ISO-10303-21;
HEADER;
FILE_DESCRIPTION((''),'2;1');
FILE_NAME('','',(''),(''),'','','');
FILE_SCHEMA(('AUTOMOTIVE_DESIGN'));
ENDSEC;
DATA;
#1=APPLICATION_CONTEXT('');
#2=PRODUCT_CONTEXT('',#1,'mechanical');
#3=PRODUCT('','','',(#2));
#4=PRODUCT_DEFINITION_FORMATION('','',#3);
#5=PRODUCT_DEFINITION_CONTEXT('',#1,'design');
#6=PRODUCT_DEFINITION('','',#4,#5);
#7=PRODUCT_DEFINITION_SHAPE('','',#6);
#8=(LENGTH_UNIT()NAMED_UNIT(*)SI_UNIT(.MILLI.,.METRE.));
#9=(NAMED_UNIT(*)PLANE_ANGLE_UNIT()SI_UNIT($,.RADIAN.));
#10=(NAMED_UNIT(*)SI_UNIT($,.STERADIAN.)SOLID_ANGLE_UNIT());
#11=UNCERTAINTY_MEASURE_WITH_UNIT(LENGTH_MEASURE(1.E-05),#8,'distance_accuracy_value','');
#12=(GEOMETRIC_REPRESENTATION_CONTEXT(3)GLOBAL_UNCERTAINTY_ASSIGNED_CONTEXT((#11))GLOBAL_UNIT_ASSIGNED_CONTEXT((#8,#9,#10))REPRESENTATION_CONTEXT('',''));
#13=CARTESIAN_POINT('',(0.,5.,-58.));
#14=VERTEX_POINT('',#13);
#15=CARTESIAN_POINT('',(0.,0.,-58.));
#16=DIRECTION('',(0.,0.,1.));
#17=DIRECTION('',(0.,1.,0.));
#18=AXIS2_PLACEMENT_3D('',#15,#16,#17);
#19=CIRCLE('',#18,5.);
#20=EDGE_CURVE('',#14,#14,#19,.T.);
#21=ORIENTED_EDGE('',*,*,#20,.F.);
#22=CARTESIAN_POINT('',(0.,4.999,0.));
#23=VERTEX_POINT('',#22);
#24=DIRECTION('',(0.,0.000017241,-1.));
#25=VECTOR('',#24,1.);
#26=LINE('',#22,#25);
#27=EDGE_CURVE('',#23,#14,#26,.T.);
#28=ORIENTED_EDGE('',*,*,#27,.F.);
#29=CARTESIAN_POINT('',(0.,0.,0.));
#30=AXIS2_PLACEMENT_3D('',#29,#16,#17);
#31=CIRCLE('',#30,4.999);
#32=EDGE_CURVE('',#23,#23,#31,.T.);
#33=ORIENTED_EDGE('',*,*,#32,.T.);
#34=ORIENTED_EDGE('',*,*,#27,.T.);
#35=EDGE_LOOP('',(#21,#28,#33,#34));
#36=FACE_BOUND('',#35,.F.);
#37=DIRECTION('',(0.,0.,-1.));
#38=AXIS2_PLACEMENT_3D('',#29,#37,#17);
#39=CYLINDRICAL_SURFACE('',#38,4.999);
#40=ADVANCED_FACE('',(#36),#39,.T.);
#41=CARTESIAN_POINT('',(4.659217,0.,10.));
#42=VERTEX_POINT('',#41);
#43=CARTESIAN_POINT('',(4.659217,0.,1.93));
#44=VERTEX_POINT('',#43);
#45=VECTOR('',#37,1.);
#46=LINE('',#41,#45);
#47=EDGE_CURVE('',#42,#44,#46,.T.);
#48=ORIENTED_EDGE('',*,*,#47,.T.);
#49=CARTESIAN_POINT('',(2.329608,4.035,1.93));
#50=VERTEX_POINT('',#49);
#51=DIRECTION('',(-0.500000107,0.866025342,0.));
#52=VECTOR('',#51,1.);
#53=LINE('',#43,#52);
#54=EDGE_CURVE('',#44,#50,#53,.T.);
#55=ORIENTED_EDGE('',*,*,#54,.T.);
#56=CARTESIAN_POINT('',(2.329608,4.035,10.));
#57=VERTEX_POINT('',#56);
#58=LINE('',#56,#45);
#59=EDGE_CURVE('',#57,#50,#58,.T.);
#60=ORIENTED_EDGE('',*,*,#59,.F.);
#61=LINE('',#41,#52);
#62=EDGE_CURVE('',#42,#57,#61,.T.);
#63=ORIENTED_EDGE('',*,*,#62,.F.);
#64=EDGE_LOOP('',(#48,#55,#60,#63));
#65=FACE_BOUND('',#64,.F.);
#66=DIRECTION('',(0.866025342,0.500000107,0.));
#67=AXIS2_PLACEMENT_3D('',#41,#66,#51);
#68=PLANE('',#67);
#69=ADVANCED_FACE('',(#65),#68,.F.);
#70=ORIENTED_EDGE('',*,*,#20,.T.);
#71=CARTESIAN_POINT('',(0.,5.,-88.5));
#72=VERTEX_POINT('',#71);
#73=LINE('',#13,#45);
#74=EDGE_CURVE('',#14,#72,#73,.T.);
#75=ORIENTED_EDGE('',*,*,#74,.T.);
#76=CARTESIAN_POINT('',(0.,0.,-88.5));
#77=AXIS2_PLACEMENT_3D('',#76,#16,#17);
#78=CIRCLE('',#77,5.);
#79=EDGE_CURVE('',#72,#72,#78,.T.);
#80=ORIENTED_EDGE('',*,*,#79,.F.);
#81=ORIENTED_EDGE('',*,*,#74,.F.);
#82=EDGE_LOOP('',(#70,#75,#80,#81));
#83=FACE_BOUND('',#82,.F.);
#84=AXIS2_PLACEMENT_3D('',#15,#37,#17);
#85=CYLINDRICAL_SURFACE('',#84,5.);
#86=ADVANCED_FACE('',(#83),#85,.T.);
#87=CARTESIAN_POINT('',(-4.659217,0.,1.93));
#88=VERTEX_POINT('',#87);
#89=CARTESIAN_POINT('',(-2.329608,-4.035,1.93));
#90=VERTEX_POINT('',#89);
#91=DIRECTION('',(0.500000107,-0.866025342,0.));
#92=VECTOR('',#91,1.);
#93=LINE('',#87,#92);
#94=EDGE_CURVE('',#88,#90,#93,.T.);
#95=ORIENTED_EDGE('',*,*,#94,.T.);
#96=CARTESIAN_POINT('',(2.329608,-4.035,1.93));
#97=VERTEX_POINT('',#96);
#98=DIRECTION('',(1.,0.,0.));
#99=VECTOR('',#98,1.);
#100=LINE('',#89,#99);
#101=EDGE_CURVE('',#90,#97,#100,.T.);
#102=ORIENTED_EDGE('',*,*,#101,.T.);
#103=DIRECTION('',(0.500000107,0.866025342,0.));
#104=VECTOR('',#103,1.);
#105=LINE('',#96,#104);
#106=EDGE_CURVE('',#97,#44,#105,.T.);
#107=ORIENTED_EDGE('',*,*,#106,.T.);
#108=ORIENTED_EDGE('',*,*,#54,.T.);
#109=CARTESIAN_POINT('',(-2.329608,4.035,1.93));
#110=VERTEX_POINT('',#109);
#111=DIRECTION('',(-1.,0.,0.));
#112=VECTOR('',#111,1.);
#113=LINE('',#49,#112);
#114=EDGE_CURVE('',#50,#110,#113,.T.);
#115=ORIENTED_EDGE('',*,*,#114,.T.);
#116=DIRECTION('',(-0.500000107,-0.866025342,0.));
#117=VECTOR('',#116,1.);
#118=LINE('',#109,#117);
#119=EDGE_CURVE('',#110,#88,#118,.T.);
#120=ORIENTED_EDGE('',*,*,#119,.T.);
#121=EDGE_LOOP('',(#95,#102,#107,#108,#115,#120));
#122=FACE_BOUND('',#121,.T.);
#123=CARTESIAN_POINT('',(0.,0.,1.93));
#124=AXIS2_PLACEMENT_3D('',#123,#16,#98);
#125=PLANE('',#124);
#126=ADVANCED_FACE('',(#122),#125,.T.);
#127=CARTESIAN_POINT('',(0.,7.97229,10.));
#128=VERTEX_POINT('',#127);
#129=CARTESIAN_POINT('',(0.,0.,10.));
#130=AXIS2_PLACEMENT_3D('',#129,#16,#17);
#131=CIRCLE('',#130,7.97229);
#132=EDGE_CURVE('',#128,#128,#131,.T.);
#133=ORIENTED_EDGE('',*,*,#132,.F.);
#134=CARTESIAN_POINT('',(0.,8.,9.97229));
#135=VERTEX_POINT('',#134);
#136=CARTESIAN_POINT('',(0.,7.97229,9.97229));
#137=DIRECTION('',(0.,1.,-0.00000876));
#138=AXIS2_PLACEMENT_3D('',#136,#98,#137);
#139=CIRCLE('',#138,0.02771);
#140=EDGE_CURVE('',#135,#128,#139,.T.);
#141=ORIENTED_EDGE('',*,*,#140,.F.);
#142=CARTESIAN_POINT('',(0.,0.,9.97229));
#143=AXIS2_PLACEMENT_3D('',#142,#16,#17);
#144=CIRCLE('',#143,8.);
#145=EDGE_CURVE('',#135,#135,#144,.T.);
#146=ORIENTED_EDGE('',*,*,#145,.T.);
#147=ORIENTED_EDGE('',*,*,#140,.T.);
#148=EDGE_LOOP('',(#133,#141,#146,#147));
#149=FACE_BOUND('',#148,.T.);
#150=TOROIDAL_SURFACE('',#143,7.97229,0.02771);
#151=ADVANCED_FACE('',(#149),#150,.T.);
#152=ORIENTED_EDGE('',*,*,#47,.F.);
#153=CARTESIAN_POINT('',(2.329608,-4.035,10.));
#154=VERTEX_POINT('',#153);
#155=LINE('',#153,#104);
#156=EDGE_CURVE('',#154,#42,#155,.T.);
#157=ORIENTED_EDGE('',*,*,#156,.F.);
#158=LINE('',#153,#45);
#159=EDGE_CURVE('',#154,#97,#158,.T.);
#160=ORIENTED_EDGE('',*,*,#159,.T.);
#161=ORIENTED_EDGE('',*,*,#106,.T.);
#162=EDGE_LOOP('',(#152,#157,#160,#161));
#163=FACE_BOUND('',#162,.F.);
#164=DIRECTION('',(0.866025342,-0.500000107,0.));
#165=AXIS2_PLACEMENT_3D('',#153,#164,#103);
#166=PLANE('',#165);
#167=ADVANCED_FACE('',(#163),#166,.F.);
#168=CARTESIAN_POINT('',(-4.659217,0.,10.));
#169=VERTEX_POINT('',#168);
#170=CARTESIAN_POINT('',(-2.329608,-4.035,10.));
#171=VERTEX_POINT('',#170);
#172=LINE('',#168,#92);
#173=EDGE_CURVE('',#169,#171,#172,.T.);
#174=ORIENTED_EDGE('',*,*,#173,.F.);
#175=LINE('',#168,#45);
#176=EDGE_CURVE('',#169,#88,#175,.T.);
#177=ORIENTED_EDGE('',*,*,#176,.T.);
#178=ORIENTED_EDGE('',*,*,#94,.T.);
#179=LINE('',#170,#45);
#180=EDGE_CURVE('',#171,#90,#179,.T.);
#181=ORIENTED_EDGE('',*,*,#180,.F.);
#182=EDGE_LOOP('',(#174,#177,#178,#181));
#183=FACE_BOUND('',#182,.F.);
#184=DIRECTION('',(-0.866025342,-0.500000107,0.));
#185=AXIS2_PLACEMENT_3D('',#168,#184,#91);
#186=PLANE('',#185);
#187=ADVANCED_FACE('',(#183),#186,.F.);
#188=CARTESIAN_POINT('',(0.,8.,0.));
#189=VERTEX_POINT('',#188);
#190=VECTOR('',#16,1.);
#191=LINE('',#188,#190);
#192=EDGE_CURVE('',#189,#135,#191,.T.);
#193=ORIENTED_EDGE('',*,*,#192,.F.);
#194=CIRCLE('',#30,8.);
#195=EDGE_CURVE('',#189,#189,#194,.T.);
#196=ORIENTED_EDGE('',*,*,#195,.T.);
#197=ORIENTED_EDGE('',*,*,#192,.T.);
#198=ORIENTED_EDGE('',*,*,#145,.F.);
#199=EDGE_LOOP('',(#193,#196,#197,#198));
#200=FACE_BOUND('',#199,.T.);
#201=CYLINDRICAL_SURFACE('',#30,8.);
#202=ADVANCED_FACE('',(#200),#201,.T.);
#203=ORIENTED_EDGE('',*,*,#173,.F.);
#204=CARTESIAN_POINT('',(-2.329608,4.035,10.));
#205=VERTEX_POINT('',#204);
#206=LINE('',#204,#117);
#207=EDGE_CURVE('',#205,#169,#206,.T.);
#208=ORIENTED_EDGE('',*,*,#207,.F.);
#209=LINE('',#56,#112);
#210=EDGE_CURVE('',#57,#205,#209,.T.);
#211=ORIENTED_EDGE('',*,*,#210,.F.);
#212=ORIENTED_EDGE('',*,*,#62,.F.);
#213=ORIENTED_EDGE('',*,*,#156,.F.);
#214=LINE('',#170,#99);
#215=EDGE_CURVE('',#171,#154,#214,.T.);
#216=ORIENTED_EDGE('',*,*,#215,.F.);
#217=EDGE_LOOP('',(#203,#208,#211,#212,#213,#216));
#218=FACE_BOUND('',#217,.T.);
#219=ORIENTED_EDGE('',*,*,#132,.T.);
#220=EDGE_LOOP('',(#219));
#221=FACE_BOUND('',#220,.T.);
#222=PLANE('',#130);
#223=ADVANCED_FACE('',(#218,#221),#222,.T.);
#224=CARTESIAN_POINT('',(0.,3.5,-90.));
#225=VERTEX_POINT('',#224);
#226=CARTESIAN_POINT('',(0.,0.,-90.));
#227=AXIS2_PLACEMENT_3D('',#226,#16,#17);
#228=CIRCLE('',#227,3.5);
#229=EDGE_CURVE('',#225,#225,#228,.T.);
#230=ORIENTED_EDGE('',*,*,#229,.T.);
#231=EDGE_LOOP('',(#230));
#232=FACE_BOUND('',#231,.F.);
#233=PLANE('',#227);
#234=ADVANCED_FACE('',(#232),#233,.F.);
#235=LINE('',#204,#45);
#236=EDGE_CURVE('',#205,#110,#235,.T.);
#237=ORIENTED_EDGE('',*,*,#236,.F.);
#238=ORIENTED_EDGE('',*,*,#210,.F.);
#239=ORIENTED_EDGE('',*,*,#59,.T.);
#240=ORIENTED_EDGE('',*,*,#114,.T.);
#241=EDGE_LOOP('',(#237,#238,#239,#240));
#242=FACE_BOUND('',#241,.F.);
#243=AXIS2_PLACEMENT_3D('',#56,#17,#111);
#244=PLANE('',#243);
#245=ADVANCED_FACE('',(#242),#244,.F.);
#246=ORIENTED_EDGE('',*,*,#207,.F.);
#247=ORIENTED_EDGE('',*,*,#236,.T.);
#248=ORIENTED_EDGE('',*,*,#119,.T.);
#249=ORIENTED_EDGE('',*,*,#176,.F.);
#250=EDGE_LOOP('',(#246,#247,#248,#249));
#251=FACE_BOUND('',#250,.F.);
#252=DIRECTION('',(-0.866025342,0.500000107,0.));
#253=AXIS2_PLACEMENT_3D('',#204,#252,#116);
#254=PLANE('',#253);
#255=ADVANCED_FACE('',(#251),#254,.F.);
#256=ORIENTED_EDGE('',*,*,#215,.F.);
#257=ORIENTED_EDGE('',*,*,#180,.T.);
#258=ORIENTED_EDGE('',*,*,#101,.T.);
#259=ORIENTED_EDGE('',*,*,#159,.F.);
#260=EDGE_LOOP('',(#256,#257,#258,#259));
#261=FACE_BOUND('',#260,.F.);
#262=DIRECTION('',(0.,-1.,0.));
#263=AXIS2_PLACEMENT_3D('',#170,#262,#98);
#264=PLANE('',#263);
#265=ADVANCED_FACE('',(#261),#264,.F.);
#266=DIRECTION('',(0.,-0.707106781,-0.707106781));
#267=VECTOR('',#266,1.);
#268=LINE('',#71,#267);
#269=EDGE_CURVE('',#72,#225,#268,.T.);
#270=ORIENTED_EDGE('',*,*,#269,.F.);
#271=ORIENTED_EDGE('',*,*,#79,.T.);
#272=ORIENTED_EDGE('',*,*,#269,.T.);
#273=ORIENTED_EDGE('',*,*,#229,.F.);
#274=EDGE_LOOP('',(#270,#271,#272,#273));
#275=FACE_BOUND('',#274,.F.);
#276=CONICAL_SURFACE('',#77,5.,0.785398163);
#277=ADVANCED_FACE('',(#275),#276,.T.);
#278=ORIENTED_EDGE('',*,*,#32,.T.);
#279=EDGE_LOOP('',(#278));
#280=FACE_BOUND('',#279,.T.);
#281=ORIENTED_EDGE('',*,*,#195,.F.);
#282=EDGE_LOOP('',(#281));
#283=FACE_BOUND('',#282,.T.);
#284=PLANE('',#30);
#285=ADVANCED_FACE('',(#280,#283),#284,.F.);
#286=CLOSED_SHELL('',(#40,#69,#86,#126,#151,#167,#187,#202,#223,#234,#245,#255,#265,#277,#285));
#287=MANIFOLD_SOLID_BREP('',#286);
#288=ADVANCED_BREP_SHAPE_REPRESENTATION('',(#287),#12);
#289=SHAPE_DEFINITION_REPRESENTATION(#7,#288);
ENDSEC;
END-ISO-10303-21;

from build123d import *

# Parameters (mm, degrees)
POCKET_DEPTH = 8.07


with BuildPart() as part:
    # Sketch → Revolve (revolve)
    with BuildSketch(Plane.YZ):
        with BuildLine():
            Line((4.999, 0), (8, 0))
            Line((8, 0), (8, 9.97229))
            ThreePointArc((8, 9.97229), (7.991884, 9.991884), (7.97229, 10))
            Line((7.97229, 10), (0, 10))
            Line((0, -90), (0, 10))
            Line((3.5, -90), (0, -90))
            Line((5, -88.5), (3.5, -90))
            Line((5, -58), (5, -88.5))
            Line((4.999, 0), (5, -58))
        make_face()
    revolve(axis=Axis((0, 0, 0), (0, 0, 1)))

    # Sketch001 → Pocket (cut)
    with BuildSketch(Plane.XY.offset(10)):
        Polygon((4.659217, 0), (2.329608, 4.035), (-2.329608, 4.035), (-4.659217, 0), (-2.329608, -4.035), (2.329608, -4.035), align=None)
    extrude(amount=-POCKET_DEPTH, mode=Mode.SUBTRACT)


solid = part.part
